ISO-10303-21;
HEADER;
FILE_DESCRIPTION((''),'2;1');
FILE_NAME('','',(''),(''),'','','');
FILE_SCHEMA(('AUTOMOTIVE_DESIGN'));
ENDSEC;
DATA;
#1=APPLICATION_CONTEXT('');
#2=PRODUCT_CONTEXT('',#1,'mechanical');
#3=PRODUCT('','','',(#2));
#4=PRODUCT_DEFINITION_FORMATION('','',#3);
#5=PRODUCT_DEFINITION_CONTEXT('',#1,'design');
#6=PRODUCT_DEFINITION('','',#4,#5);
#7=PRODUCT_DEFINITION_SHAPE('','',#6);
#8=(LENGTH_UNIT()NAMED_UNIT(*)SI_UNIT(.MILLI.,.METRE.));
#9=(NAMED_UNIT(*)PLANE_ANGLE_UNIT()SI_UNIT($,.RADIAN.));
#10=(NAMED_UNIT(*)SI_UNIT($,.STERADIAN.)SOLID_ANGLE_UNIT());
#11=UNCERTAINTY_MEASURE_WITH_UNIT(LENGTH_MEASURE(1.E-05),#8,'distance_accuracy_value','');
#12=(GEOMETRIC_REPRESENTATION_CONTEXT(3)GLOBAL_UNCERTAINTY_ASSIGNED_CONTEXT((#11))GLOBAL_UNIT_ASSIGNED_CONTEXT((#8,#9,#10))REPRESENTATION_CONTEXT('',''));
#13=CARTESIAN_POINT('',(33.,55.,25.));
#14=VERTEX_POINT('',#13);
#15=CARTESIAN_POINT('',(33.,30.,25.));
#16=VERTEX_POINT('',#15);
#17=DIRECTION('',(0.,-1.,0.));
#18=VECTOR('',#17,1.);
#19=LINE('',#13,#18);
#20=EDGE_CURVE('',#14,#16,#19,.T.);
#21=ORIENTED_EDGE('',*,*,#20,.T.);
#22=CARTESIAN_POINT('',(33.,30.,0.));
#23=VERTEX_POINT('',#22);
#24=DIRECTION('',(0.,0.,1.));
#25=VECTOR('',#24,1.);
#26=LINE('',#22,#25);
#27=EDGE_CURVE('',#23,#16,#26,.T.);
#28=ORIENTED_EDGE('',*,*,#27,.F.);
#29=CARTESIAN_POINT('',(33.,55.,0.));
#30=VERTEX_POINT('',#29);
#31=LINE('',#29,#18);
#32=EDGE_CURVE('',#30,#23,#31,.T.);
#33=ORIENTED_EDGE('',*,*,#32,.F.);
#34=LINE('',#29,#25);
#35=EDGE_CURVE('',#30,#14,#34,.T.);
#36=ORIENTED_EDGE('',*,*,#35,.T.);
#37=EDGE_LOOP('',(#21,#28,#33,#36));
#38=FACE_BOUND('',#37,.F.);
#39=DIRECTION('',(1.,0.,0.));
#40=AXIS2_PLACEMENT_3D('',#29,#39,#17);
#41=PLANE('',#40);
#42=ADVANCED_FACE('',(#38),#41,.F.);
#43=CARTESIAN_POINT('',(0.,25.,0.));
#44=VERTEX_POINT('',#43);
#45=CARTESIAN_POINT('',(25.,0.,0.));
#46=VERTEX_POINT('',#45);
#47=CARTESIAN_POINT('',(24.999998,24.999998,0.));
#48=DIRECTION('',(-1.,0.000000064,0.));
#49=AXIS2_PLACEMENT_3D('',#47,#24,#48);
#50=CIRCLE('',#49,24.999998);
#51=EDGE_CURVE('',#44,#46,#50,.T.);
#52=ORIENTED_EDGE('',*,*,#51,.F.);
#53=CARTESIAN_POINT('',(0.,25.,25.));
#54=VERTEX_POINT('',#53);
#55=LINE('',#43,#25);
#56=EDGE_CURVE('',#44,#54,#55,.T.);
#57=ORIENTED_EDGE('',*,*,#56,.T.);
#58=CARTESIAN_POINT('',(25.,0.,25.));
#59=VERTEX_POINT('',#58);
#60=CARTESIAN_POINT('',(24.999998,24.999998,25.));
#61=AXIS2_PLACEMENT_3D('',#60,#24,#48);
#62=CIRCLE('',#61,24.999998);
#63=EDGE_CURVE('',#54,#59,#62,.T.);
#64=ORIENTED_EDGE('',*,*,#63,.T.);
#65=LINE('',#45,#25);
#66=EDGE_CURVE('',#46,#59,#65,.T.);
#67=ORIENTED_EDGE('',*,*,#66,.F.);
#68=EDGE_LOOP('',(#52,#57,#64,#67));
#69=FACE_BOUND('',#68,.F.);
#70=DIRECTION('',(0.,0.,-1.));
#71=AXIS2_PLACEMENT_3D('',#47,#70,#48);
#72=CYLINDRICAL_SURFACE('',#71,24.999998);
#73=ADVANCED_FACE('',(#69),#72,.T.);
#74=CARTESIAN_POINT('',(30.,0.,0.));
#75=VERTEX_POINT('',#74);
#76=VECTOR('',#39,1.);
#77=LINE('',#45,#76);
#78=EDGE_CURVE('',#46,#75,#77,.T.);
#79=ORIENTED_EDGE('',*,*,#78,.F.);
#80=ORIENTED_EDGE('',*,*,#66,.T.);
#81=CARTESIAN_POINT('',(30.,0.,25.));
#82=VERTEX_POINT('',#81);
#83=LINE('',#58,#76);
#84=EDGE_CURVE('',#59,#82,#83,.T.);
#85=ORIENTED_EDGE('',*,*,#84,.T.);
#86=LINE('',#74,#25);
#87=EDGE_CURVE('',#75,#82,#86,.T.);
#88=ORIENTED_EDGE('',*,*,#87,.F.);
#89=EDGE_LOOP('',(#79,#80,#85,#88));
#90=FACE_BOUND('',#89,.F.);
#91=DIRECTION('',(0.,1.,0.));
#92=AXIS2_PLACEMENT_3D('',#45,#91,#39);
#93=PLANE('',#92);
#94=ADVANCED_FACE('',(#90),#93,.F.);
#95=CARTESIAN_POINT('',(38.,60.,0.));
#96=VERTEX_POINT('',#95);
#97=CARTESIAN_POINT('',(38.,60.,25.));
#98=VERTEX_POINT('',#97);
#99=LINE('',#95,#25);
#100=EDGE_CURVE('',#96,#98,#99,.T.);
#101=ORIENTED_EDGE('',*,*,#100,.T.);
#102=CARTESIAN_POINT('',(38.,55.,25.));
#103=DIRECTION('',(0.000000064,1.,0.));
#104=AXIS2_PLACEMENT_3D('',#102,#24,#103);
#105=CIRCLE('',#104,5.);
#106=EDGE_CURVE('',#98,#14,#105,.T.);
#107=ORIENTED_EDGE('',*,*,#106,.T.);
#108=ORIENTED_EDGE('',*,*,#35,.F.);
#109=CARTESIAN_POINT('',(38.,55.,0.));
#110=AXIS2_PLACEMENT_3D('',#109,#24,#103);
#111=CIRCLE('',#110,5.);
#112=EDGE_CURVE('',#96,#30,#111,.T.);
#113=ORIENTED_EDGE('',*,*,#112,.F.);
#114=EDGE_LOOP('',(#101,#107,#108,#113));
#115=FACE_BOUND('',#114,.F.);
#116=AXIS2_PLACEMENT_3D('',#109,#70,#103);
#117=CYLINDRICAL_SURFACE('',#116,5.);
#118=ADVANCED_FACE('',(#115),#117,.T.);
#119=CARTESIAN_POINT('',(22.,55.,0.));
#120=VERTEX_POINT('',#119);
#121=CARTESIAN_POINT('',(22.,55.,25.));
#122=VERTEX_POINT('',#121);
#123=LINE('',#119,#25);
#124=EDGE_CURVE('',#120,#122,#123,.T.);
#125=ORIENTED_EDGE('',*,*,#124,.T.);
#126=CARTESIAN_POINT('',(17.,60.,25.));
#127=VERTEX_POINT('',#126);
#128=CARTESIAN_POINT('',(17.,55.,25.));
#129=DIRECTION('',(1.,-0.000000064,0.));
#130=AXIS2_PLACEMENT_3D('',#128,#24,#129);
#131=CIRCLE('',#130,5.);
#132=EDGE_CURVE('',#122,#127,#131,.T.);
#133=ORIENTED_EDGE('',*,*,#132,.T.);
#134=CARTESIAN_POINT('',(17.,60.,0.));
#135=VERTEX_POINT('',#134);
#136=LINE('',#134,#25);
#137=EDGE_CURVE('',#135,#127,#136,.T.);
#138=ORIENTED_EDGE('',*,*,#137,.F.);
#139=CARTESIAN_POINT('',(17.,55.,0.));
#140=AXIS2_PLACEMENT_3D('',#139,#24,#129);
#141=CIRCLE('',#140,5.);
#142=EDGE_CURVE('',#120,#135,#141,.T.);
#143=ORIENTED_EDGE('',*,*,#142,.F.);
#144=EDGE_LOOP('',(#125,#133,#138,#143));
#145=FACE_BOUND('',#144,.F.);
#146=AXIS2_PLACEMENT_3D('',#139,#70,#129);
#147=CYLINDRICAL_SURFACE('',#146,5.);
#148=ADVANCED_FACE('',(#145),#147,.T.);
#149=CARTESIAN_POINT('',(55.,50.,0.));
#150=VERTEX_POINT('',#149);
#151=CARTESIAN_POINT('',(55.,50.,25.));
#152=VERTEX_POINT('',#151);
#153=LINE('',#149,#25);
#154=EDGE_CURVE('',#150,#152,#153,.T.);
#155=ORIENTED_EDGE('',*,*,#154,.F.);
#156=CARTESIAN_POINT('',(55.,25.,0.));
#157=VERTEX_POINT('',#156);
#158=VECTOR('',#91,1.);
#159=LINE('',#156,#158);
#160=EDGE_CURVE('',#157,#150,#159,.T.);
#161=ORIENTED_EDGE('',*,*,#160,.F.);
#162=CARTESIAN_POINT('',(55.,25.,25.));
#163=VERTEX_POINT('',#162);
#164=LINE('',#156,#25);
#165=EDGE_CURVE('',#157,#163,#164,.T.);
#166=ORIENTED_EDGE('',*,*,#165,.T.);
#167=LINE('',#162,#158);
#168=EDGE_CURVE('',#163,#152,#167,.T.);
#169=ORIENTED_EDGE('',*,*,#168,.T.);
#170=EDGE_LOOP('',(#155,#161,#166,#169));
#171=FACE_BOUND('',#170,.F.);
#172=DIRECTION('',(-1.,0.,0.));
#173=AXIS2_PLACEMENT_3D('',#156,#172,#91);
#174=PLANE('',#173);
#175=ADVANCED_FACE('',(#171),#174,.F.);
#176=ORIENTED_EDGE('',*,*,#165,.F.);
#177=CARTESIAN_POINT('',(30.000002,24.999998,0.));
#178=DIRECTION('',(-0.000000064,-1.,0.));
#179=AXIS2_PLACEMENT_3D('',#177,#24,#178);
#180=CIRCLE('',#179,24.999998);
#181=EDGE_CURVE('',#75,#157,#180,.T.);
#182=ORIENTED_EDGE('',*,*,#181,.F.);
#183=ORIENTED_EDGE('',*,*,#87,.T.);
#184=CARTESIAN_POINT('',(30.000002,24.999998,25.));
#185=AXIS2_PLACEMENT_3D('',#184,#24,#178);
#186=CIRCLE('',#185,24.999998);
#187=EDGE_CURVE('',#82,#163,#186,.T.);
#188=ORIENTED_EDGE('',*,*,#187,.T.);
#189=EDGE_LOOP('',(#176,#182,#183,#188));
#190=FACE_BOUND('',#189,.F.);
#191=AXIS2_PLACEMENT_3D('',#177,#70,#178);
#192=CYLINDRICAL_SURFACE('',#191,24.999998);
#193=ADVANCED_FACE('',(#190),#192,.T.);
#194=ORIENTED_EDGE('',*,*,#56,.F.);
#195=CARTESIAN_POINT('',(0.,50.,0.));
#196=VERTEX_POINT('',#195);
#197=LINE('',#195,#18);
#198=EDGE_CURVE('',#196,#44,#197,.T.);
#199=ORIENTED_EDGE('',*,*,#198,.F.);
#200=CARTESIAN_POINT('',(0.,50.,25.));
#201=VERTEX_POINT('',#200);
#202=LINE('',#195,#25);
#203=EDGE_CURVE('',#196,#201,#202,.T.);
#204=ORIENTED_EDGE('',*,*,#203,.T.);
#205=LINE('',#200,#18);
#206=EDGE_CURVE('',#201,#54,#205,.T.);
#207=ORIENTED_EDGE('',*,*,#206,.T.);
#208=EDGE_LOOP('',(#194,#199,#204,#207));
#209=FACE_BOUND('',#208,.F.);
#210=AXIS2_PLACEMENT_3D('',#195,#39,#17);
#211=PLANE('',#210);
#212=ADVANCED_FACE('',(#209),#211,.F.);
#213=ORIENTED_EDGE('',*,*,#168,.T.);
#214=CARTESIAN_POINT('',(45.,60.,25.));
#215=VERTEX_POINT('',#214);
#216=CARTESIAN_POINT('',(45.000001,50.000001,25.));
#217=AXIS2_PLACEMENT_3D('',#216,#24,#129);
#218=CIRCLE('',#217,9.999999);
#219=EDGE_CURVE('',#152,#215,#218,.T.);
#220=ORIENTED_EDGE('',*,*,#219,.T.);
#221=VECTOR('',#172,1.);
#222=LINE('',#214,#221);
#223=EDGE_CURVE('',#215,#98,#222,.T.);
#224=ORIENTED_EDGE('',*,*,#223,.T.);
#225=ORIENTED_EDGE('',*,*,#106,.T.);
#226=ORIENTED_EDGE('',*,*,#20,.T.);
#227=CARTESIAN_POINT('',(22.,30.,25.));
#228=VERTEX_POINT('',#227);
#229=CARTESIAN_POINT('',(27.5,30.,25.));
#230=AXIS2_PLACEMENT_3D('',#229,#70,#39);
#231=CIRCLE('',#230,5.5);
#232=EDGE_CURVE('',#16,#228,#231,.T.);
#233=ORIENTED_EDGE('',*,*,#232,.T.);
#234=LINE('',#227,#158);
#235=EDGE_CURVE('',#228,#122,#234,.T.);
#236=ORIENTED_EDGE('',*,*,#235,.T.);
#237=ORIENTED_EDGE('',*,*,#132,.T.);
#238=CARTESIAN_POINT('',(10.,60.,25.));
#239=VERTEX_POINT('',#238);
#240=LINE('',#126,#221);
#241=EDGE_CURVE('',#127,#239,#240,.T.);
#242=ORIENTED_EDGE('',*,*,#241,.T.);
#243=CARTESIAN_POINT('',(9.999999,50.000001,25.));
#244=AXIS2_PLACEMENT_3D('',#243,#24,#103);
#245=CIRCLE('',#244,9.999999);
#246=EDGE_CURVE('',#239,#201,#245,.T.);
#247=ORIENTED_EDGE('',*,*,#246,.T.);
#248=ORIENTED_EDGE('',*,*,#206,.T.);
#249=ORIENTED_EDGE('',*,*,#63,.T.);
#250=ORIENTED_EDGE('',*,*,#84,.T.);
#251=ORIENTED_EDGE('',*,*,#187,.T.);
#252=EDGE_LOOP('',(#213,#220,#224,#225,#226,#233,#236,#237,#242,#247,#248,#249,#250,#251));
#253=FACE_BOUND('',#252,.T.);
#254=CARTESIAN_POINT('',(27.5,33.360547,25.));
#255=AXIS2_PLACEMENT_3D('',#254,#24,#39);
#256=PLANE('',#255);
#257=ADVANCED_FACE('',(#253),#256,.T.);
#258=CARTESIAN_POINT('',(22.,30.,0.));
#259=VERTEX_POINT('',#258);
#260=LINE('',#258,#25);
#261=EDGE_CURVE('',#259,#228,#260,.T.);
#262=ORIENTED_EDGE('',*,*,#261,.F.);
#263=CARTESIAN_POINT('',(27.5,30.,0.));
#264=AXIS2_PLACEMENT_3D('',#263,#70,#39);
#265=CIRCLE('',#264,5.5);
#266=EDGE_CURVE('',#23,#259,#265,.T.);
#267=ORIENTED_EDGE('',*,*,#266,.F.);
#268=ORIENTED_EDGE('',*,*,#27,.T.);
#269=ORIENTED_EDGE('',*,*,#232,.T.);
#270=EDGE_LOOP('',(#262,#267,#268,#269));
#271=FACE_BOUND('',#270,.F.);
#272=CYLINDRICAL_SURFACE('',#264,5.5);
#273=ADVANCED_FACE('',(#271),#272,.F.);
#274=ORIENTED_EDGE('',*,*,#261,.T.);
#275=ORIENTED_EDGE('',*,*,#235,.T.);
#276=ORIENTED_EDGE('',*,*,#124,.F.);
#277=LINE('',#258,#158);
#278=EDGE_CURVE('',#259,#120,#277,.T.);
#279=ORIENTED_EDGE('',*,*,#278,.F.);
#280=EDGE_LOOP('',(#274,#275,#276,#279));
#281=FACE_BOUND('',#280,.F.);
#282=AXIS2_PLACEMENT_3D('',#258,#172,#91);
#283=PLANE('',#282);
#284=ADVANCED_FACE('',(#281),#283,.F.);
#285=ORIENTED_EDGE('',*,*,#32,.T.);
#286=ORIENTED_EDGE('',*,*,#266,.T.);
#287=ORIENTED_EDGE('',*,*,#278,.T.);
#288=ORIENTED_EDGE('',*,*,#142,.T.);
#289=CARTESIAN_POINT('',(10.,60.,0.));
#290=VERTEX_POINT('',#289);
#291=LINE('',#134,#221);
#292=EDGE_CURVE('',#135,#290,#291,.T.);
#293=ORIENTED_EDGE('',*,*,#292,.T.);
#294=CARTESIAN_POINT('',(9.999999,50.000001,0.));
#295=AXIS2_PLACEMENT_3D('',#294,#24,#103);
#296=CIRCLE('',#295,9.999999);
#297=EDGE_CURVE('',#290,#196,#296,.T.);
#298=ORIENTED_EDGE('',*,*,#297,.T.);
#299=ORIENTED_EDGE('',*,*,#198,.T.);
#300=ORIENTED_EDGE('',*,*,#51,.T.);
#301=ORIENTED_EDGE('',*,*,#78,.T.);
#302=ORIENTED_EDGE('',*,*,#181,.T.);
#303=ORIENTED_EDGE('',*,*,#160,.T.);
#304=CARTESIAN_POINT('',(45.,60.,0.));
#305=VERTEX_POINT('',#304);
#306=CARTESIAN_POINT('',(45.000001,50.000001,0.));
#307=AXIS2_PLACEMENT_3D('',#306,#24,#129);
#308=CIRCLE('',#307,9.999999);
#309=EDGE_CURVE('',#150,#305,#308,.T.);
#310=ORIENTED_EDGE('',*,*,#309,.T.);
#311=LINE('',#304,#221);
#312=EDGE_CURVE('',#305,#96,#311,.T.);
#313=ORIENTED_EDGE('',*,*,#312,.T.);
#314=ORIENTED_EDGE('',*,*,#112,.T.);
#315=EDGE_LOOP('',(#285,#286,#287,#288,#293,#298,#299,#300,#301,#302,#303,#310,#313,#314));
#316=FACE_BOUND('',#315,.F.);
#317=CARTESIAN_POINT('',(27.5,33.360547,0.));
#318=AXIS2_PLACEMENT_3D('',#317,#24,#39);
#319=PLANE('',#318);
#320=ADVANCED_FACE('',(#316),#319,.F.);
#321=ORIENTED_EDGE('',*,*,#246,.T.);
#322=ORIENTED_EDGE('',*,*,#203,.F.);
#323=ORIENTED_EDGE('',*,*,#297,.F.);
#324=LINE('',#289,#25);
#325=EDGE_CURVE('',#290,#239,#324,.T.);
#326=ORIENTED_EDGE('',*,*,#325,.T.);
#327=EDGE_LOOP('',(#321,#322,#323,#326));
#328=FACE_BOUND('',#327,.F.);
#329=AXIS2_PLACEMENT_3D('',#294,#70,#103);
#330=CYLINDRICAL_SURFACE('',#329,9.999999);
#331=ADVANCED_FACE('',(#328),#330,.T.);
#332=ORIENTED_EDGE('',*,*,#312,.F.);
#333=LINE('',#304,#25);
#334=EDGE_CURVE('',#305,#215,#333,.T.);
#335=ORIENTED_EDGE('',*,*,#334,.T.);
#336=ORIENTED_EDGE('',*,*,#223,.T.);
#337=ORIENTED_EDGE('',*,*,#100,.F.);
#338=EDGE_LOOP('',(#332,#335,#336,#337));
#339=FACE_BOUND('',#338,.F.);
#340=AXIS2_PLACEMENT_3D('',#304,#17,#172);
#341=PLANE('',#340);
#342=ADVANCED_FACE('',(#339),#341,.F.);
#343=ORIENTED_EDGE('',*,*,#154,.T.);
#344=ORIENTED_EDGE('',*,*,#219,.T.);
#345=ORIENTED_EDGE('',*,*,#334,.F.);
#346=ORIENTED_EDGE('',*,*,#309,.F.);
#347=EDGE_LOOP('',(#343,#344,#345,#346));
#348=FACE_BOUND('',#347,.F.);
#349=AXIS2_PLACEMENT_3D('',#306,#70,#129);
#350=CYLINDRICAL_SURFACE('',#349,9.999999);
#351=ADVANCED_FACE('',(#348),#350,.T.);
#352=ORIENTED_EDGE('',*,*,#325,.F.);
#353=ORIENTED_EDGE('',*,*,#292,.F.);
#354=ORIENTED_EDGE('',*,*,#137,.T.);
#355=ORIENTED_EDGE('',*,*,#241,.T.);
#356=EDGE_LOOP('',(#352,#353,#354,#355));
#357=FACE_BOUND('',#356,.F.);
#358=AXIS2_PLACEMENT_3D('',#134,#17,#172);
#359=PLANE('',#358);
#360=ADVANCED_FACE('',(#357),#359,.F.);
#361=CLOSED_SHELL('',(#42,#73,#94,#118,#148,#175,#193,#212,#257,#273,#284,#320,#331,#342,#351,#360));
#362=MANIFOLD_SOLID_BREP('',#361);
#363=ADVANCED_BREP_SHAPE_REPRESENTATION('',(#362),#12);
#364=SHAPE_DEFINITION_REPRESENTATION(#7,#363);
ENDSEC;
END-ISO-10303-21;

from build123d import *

# Parameters (mm, degrees)
F1_DEPTH = 25


with BuildPart() as f1:
    # F0 (on Top) → F1 (new body)
    with BuildSketch(Plane.XY):
        with BuildLine():
            ThreePointArc((0, 25), (7.32233, 7.32233), (25, 0))
            Line((25, 0), (30, 0))
            ThreePointArc((30, 0), (47.67767, 7.32233), (55, 25))
            Line((55, 25), (55, 50))
            ThreePointArc((55, 50), (52.071068, 57.071068), (45, 60))
            Line((45, 60), (38, 60))
            ThreePointArc((38, 60), (34.464466, 58.535534), (33, 55))
            Line((33, 55), (33, 30))
            ThreePointArc((33, 30), (27.5, 24.5), (22, 30))
            Line((22, 30), (22, 55))
            ThreePointArc((22, 55), (20.535534, 58.535534), (17, 60))
            Line((17, 60), (10, 60))
            ThreePointArc((10, 60), (2.928932, 57.071068), (0, 50))
            Line((0, 50), (0, 25))
        make_face()
    extrude(amount=F1_DEPTH)


solid = f1.part
